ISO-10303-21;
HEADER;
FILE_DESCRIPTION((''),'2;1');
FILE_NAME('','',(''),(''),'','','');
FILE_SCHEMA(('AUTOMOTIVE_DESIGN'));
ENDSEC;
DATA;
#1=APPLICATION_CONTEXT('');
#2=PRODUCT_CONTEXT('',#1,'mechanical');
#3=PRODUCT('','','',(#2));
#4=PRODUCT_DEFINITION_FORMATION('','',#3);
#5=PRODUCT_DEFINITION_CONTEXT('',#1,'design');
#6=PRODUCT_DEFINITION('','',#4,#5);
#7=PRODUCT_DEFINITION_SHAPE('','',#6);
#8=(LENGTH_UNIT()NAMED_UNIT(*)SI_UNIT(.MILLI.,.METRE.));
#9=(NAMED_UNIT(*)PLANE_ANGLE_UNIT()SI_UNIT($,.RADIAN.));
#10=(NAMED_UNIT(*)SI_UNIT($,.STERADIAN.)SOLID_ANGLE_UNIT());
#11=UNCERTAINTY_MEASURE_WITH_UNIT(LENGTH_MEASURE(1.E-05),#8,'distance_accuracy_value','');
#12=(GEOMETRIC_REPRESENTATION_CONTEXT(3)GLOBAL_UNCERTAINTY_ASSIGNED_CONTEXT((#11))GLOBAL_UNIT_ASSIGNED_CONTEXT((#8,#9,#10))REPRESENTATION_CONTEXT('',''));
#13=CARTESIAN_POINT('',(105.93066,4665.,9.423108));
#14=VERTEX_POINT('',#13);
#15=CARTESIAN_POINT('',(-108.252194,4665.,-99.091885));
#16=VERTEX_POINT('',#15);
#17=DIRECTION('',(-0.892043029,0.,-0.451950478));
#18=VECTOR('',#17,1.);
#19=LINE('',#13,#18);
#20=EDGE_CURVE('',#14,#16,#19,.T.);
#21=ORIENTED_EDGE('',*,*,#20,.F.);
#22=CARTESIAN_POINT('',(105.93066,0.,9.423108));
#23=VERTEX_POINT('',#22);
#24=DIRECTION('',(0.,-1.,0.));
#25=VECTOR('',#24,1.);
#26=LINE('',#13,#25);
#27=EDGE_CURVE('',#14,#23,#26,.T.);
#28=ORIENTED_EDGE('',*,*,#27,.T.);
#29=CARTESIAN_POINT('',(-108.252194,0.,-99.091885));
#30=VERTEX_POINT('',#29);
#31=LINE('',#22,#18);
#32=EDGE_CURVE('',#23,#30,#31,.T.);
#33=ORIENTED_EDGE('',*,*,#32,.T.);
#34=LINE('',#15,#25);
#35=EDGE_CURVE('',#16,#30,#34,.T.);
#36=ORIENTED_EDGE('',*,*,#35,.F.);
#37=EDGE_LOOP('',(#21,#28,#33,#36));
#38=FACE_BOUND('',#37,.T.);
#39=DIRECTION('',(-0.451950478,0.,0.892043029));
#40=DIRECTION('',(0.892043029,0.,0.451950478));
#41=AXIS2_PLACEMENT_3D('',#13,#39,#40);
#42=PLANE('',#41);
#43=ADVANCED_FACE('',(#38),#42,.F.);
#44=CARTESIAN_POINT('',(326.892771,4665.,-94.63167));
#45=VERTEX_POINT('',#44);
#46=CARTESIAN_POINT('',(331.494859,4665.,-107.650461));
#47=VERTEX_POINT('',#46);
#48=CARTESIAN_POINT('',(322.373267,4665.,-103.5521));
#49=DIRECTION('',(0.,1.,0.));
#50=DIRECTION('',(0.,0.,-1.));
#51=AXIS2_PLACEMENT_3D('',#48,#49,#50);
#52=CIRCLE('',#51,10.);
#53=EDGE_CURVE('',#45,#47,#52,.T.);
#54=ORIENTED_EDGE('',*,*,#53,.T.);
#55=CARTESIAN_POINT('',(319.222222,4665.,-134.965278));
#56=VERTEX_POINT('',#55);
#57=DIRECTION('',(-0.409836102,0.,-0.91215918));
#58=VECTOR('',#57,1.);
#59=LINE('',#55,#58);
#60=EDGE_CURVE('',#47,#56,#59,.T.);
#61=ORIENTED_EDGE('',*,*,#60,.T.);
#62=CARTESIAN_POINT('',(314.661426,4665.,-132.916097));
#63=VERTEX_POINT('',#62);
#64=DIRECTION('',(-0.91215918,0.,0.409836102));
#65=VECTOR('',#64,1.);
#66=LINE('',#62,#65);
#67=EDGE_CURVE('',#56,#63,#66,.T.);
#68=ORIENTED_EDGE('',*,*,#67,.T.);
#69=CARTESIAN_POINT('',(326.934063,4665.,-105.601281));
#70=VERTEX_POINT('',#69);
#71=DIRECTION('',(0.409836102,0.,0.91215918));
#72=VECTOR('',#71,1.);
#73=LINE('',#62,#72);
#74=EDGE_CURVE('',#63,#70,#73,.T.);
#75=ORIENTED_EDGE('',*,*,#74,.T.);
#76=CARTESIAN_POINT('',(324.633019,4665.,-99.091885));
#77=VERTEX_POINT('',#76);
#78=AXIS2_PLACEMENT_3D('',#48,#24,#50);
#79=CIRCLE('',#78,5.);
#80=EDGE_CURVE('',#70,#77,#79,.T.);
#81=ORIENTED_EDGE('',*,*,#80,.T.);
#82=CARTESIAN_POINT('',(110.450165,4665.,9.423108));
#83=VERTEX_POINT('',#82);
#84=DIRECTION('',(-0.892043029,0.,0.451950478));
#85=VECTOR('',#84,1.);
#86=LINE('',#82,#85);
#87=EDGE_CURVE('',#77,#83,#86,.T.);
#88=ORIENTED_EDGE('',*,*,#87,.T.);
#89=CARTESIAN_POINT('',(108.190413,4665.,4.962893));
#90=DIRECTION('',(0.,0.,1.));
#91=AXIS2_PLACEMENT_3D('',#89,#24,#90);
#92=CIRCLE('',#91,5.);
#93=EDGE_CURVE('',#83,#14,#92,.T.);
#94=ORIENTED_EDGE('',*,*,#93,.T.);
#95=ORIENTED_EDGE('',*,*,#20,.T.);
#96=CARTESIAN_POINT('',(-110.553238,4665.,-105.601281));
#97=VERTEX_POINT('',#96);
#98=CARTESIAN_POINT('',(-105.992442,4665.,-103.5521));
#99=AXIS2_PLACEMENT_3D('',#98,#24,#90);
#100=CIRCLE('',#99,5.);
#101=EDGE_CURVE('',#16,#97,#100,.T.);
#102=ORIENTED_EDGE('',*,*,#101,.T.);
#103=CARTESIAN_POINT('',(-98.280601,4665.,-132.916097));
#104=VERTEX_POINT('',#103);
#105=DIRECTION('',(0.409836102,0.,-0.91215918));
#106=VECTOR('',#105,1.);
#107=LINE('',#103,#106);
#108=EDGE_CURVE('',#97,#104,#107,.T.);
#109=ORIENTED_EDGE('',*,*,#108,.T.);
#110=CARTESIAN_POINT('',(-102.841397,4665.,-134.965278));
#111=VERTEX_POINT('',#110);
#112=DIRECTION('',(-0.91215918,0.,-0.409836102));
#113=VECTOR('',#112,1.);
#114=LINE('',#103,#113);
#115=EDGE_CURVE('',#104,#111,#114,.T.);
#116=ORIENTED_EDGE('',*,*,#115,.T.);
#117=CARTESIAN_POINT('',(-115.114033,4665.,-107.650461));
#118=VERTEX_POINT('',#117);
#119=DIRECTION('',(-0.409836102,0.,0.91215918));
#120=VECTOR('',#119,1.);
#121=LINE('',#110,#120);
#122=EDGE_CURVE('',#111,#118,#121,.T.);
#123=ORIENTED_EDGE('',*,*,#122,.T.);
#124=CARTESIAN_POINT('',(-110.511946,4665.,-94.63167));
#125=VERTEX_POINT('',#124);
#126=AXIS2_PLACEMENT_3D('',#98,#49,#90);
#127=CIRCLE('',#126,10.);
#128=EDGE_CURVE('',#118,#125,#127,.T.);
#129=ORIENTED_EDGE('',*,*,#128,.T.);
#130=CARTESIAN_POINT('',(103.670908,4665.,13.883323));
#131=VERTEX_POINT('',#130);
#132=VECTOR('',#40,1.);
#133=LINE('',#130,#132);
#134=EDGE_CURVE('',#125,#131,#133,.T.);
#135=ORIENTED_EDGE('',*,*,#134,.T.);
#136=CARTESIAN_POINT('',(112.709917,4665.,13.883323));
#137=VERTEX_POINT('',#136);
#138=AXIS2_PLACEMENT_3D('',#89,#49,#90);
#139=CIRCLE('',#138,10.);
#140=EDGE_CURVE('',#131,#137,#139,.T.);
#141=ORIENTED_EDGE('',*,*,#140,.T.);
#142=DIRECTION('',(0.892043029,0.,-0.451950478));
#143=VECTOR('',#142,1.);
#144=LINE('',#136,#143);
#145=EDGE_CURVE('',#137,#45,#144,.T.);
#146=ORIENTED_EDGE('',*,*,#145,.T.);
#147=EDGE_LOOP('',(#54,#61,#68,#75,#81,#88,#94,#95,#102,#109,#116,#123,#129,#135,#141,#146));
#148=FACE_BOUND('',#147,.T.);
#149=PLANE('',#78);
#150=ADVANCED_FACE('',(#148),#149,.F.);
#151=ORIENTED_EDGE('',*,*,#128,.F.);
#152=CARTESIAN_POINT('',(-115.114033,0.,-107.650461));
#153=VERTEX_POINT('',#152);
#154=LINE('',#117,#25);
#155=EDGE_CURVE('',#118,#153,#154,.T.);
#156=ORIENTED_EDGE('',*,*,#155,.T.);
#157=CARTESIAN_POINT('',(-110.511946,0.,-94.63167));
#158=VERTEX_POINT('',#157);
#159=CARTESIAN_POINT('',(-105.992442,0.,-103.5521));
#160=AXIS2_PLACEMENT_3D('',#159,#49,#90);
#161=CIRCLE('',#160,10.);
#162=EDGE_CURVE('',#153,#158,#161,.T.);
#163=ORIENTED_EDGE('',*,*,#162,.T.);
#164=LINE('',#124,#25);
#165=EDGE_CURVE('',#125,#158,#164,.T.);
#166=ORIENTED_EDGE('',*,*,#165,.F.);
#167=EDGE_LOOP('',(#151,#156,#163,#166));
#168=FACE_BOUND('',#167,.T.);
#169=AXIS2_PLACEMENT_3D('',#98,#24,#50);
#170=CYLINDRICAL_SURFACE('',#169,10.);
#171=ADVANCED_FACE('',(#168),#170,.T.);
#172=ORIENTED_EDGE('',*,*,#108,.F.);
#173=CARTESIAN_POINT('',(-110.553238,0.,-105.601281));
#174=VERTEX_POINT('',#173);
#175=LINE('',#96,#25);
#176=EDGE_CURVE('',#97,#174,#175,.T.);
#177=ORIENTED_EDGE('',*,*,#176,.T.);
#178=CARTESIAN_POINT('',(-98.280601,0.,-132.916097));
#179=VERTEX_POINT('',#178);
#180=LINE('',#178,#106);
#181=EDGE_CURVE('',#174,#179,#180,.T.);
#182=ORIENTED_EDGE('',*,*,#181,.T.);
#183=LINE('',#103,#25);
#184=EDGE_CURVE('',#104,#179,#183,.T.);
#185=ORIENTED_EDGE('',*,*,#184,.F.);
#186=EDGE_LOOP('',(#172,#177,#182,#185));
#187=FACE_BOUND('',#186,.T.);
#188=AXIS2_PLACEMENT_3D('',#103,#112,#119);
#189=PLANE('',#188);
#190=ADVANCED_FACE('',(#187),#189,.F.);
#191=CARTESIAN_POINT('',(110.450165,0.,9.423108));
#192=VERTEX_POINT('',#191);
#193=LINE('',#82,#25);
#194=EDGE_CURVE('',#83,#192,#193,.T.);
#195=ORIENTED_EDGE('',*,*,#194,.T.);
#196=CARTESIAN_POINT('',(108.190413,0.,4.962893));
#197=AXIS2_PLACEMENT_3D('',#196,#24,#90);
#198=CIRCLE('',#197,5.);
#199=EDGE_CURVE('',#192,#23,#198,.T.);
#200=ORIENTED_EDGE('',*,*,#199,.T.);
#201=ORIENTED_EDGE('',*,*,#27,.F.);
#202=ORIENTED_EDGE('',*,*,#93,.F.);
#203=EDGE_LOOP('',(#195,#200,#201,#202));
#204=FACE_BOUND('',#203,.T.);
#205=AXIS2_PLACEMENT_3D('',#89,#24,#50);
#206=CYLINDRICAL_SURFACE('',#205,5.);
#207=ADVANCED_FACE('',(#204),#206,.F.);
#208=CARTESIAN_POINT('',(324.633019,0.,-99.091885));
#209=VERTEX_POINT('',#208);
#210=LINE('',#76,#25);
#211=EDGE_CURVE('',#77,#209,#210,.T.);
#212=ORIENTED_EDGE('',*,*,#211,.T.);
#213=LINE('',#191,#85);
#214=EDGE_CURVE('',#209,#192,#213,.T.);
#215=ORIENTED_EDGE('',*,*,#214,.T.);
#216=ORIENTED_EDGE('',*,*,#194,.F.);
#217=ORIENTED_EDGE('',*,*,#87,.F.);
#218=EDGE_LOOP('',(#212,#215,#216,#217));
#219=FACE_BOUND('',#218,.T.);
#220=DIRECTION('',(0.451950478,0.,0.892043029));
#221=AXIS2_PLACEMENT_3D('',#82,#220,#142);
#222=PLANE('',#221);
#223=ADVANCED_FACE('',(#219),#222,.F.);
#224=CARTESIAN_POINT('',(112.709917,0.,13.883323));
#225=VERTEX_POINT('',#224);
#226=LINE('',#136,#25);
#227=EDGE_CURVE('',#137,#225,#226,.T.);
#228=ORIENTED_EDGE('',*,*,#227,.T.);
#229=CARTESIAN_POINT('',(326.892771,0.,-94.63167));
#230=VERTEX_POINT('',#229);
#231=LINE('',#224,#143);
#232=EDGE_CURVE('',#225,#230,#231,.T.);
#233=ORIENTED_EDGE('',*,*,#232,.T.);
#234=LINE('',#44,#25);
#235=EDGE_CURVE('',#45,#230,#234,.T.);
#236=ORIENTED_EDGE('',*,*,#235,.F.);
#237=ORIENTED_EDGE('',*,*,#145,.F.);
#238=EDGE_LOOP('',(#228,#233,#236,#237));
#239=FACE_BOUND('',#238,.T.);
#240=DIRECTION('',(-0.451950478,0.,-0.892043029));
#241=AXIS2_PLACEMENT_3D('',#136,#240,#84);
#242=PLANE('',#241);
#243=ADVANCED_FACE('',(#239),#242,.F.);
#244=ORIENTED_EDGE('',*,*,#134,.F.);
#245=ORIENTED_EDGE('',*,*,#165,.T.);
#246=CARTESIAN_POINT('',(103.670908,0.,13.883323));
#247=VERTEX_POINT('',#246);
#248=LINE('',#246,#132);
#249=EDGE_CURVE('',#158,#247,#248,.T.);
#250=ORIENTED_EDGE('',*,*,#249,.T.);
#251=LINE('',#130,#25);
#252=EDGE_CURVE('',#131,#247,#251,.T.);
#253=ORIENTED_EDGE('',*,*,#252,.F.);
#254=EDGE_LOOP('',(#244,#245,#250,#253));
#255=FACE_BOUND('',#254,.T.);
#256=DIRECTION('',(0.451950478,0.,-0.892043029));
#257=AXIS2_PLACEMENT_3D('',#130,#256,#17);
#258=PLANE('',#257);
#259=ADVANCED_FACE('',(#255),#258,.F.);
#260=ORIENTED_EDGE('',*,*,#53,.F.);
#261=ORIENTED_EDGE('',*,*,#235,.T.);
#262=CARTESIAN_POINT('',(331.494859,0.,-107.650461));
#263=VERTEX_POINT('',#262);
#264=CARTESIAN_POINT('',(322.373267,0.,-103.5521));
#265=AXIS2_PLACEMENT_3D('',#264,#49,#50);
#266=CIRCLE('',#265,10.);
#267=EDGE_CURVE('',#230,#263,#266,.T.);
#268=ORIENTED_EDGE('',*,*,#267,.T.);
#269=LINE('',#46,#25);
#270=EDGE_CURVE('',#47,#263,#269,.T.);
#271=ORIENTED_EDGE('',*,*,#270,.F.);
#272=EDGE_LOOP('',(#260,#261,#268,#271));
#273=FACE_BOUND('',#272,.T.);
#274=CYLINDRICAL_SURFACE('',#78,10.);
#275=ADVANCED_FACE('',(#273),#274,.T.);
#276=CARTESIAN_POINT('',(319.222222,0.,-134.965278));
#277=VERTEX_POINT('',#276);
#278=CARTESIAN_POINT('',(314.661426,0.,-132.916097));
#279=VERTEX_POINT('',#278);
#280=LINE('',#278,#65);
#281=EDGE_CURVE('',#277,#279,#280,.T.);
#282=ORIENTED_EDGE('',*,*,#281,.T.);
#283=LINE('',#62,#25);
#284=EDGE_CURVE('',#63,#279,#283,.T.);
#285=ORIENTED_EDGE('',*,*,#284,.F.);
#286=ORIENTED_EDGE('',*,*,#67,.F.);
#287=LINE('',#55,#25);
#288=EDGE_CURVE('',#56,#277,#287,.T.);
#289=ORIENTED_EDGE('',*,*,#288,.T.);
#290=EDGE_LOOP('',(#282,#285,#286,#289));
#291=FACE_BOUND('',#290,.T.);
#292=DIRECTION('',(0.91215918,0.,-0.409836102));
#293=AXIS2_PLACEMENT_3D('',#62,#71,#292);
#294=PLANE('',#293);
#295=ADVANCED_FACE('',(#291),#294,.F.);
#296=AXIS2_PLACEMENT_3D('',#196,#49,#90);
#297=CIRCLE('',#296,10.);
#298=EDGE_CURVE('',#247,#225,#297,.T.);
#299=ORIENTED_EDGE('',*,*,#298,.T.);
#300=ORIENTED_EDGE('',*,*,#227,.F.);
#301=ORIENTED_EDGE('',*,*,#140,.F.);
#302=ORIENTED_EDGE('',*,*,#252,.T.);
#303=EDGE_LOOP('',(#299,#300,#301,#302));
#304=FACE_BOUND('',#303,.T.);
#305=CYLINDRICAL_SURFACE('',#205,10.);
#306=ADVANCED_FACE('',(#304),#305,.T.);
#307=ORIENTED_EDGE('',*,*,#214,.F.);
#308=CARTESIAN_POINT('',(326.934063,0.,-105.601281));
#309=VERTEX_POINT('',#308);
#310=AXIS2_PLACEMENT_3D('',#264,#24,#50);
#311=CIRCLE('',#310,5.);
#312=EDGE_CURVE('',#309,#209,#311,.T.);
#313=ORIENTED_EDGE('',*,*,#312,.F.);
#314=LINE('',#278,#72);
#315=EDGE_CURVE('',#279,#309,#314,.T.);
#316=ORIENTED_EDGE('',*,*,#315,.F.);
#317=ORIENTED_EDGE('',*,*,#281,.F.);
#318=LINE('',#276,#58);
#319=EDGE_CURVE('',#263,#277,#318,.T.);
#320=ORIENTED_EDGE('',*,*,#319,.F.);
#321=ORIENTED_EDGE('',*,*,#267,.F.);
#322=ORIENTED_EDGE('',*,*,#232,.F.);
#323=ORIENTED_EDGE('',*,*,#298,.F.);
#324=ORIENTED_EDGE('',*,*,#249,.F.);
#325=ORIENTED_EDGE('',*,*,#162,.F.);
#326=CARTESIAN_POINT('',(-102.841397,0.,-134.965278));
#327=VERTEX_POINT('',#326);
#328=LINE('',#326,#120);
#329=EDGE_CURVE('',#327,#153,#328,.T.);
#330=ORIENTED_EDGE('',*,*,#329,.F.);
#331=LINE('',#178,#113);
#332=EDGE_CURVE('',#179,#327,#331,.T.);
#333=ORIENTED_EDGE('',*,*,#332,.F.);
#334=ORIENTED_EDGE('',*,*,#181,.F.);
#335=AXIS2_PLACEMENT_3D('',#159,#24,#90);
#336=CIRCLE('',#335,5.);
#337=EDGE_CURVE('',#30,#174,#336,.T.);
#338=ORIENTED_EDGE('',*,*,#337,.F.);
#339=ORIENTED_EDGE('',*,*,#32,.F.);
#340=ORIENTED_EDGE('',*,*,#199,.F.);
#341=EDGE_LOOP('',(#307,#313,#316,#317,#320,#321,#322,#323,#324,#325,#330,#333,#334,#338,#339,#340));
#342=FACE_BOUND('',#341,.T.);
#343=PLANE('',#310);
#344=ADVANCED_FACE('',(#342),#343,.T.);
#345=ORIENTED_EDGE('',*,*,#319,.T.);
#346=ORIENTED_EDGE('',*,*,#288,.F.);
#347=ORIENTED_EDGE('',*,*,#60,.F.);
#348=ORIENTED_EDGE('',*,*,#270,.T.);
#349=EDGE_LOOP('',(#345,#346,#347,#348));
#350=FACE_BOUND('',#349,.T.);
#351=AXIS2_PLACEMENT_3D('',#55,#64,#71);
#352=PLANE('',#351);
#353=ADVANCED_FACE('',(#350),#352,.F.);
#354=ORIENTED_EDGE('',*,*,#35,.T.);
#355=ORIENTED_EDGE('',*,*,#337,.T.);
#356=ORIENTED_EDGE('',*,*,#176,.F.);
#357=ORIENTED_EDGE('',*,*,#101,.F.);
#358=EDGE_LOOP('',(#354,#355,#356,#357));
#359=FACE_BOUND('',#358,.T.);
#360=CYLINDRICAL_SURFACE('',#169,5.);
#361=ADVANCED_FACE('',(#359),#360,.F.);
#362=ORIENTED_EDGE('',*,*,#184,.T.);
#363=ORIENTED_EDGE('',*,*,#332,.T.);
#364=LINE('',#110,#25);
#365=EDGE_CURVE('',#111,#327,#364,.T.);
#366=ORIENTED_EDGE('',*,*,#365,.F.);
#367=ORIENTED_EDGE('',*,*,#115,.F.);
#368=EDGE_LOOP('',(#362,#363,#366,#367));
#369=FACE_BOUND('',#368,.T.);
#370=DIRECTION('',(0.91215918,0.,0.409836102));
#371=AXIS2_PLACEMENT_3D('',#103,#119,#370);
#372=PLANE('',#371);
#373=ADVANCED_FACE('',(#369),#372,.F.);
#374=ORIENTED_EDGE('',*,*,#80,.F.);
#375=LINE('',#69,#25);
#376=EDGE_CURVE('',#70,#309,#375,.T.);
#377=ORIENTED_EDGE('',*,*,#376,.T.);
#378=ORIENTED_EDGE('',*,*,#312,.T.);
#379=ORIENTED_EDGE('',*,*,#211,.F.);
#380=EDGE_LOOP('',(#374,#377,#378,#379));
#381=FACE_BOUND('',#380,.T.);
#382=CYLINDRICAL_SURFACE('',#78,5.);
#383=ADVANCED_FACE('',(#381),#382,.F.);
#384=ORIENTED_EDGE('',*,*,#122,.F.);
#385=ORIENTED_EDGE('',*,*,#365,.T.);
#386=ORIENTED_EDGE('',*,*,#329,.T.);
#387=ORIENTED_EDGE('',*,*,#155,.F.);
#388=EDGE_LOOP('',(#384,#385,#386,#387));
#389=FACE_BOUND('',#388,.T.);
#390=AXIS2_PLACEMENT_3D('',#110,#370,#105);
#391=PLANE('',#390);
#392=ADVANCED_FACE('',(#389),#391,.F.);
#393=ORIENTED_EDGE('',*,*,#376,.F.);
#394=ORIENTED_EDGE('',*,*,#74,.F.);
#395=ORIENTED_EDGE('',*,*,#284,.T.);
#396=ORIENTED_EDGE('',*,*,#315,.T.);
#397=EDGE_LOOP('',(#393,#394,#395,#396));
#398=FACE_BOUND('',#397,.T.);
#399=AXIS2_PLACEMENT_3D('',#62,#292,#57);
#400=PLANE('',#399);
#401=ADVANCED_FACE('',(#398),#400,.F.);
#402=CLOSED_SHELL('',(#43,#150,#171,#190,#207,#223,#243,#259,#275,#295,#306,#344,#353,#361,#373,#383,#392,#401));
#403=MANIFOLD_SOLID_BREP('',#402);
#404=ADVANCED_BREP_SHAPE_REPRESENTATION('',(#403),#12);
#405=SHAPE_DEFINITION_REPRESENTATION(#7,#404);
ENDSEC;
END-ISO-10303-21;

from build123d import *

# Parameters (mm, degrees)
BOSS_EXTRUDE2_DEPTH = 4665


with BuildPart() as part:
    # Sketch1 → Boss-Extrude2 (new body)
    with BuildSketch(Plane(origin=(0, 0, 0), x_dir=(1, 0, 0), z_dir=(0, 1, 0))):
        with BuildLine():
            Line((319.222222222, 134.965277778), (331.494858512, 107.65046142))
            ThreePointArc((331.494858512, 107.65046142), (331.801527991, 100.219250383), (326.892771492, 94.631670113))
            Line((326.892771492, 94.631670113), (112.709917293, -13.883323219))
            ThreePointArc((112.709917293, -13.883323219), (108.190412513, -14.962892929), (103.670907733, -13.883323219))
            Line((103.670907733, -13.883323219), (-110.511946465, 94.631670113))
            ThreePointArc((-110.511946465, 94.631670113), (-115.420702964, 100.219250383), (-115.114033485, 107.65046142))
            Line((-115.114033485, 107.65046142), (-102.841397196, 134.965277778))
            Line((-102.841397196, 134.965277778), (-98.280601295, 132.916097269))
            Line((-98.280601295, 132.916097269), (-110.553237585, 105.601280911))
            ThreePointArc((-110.553237585, 105.601280911), (-110.706572325, 101.885675393), (-108.252194075, 99.091885258))
            Line((-108.252194075, 99.091885258), (105.930660123, -9.423108074))
            ThreePointArc((105.930660123, -9.423108074), (108.190412513, -9.962892929), (110.450164903, -9.423108074))
            Line((110.450164903, -9.423108074), (324.633019102, 99.091885258))
            ThreePointArc((324.633019102, 99.091885258), (327.087397351, 101.885675393), (326.934062612, 105.601280911))
            Line((326.934062612, 105.601280911), (314.661426322, 132.916097269))
            Line((314.661426322, 132.916097269), (319.222222222, 134.965277778))
        make_face()
    extrude(amount=BOSS_EXTRUDE2_DEPTH)


solid = part.part
